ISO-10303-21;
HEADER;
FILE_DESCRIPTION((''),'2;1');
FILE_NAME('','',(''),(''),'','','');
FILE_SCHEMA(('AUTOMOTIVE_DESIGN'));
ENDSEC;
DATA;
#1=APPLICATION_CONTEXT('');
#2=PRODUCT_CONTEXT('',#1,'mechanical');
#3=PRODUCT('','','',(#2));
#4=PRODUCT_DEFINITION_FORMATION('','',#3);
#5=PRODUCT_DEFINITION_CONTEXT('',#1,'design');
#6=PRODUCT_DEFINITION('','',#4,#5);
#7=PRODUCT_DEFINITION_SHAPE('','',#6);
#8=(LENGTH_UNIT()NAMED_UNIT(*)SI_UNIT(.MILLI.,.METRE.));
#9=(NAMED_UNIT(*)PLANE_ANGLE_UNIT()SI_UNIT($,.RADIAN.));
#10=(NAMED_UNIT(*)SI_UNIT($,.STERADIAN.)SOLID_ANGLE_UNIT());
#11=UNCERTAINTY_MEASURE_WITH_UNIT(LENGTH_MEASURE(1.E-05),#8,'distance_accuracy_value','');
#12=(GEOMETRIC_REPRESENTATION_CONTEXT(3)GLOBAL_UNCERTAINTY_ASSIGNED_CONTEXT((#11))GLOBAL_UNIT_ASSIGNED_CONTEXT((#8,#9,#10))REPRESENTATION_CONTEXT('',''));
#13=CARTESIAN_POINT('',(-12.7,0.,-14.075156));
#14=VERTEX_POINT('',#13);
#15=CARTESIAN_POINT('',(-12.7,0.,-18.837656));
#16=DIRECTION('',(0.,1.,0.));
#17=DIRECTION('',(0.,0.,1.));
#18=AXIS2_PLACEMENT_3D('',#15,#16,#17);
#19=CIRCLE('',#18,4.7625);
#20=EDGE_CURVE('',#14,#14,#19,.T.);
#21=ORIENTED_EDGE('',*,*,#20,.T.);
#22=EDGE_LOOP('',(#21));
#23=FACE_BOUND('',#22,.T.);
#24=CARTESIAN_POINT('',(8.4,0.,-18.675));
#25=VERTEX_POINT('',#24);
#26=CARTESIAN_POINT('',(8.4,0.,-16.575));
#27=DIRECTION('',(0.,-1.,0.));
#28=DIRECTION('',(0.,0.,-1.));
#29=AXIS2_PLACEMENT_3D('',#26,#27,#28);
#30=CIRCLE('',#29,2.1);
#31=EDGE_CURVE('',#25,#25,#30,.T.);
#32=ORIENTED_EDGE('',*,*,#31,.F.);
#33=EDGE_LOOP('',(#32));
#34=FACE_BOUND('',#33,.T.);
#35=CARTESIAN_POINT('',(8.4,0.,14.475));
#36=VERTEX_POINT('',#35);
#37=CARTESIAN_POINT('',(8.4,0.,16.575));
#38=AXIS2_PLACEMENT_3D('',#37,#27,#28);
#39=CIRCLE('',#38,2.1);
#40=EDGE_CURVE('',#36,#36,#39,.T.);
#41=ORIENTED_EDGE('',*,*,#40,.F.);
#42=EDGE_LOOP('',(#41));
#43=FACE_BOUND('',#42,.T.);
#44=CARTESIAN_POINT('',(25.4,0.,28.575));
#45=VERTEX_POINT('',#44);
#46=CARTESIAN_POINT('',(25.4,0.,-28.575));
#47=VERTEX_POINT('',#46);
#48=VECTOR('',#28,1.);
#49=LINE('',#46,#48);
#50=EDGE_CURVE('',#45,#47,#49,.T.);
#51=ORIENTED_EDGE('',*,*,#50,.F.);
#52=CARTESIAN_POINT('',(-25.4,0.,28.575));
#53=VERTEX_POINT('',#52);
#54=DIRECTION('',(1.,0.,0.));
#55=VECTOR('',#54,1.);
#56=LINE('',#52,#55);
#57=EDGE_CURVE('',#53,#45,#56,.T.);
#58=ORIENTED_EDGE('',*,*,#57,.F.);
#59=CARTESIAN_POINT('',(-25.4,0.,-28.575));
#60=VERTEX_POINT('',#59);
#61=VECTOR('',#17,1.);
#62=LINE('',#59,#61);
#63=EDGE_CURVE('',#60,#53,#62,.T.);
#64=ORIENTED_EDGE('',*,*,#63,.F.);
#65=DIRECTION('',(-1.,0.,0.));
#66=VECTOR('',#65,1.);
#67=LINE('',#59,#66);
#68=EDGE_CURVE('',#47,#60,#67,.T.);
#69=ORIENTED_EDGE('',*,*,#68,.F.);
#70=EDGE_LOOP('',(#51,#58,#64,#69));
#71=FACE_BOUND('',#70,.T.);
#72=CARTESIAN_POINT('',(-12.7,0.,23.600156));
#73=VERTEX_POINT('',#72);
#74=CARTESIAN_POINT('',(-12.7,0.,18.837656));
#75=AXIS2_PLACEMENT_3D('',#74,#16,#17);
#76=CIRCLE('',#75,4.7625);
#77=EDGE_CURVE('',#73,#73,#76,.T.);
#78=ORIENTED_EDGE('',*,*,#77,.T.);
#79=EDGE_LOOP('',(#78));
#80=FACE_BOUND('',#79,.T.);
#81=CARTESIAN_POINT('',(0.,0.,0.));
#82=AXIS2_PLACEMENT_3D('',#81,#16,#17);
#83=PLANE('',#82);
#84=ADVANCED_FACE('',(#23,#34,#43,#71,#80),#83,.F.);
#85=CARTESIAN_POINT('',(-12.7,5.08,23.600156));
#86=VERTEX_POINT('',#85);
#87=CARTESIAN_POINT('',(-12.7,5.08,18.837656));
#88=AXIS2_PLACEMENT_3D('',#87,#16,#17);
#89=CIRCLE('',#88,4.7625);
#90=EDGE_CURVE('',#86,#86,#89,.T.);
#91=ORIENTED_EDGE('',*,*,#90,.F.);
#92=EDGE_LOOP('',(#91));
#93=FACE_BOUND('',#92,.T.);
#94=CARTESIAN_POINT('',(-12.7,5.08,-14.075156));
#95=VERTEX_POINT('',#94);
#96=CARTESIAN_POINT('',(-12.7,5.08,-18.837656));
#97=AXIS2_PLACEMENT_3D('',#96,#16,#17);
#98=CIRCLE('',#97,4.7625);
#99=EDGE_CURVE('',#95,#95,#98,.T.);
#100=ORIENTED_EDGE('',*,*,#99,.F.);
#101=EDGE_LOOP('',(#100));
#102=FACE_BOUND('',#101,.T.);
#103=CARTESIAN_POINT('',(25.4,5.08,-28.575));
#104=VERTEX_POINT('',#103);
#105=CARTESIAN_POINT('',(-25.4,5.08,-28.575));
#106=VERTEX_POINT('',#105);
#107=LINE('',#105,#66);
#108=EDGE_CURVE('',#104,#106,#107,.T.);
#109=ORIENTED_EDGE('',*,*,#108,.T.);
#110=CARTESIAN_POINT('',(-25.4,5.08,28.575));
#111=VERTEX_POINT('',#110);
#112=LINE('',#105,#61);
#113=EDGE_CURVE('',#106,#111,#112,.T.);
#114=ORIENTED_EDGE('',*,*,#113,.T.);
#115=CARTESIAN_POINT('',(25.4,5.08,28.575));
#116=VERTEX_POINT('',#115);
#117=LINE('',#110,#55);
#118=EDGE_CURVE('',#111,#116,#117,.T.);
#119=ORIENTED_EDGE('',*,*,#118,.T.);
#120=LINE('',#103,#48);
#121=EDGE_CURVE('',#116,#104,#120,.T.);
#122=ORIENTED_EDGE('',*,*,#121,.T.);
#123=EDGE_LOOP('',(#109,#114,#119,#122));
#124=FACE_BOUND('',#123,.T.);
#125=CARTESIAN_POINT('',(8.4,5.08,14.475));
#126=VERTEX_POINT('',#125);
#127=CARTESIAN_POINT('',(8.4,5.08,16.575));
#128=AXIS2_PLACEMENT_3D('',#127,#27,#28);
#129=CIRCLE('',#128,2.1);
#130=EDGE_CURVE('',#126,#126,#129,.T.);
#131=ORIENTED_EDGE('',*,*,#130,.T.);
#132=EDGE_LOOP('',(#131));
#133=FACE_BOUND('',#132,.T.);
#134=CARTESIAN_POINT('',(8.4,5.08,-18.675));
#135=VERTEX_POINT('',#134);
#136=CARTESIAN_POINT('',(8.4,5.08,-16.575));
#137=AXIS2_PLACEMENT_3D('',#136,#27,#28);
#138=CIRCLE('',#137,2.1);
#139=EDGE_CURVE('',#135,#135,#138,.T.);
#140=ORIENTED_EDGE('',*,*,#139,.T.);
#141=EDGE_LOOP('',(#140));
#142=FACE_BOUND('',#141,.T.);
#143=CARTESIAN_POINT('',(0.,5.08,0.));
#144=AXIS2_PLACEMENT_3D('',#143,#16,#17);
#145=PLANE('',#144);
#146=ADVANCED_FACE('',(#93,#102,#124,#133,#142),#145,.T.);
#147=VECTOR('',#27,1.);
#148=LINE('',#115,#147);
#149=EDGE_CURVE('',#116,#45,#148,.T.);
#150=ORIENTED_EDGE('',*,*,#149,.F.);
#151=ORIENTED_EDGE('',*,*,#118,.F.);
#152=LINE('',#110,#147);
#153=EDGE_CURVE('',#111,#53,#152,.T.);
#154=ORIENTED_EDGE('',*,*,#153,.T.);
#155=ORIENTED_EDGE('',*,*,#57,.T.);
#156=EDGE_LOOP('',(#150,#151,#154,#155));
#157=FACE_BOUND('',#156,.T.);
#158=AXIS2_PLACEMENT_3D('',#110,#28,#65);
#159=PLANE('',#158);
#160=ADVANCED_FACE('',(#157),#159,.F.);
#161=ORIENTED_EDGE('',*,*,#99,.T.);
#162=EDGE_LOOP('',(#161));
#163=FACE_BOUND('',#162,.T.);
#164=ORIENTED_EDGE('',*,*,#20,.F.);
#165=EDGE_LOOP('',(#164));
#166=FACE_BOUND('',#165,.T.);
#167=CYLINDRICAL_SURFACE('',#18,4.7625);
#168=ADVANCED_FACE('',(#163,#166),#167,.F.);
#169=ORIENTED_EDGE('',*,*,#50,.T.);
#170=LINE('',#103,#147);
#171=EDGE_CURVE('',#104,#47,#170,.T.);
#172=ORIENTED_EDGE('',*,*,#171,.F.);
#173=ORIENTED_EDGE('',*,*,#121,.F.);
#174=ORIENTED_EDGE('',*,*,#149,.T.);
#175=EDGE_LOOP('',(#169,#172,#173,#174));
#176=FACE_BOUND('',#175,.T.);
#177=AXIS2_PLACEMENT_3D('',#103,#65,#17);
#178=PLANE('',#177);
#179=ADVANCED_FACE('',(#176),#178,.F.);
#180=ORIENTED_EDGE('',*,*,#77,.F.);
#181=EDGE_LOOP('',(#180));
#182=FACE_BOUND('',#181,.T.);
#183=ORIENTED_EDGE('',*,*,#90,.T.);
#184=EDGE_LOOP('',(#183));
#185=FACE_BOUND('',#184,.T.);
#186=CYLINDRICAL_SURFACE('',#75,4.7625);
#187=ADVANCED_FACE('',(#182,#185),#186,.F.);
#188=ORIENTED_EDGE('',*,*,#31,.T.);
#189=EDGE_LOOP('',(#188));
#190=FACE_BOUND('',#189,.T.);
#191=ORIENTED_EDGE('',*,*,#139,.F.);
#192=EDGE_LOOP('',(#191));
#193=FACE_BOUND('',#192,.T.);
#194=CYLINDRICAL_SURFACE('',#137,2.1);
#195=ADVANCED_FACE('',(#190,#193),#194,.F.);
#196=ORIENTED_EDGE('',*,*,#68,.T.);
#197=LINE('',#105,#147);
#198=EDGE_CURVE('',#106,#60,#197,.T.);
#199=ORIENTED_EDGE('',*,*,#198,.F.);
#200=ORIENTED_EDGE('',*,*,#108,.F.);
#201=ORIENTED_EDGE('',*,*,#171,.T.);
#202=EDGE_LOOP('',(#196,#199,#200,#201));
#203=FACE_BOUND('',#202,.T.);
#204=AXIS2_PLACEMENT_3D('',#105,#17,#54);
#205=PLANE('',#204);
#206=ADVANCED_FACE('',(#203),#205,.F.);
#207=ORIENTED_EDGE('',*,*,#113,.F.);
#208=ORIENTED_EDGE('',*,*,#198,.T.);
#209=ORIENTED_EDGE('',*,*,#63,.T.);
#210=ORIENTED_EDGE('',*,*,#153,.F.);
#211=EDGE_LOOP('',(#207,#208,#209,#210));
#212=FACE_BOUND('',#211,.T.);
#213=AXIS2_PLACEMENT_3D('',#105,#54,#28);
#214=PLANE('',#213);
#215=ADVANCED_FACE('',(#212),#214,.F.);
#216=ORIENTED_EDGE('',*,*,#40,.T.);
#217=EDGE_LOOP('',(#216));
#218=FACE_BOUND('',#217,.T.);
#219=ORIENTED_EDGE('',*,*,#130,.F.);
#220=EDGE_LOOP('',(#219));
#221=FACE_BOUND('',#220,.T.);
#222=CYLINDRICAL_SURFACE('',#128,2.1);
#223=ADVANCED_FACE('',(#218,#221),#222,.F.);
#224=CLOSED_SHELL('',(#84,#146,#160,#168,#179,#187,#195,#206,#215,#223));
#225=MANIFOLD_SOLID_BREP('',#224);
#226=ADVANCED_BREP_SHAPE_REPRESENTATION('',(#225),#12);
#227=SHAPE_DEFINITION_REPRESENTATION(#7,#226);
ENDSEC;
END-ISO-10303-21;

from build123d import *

# Parameters (mm, degrees)
SKETCH1_W           = 50.8
SKETCH1_H           = 57.15
BOSS_EXTRUDE1_DEPTH = 5.08
SKETCH2_R           = 4.7625
CUT_EXTRUDE1_DEPTH  = 5.08
SKETCH3_R           = 2.1
CUT_EXTRUDE3_DEPTH  = 6.08


with BuildPart() as part:
    # Sketch1 → Boss-Extrude1 (new body)
    with BuildSketch(Plane(origin=(0, 0, 0), x_dir=(1, 0, 0), z_dir=(0, 1, 0))):
        Rectangle(SKETCH1_W, SKETCH1_H)
    extrude(amount=BOSS_EXTRUDE1_DEPTH)

    # Sketch2 → Cut-Extrude1 (cut)
    with BuildSketch(Plane(origin=(0, 5.08, 0), x_dir=(1, 0, 0), z_dir=(0, 1, 0))):
        with Locations((-12.7, 18.837656)):
            Circle(SKETCH2_R)
        with Locations((-12.7, -18.837656)):
            Circle(SKETCH2_R)
    extrude(amount=-CUT_EXTRUDE1_DEPTH, mode=Mode.SUBTRACT)

    # Sketch3 → Cut-Extrude3 (cut, through all)
    with BuildSketch(Plane.XZ):
        with Locations((8.4, -16.575)):
            Circle(SKETCH3_R)
        with Locations((8.4, 16.575)):
            Circle(SKETCH3_R)
    extrude(amount=-CUT_EXTRUDE3_DEPTH, mode=Mode.SUBTRACT)


solid = part.part
